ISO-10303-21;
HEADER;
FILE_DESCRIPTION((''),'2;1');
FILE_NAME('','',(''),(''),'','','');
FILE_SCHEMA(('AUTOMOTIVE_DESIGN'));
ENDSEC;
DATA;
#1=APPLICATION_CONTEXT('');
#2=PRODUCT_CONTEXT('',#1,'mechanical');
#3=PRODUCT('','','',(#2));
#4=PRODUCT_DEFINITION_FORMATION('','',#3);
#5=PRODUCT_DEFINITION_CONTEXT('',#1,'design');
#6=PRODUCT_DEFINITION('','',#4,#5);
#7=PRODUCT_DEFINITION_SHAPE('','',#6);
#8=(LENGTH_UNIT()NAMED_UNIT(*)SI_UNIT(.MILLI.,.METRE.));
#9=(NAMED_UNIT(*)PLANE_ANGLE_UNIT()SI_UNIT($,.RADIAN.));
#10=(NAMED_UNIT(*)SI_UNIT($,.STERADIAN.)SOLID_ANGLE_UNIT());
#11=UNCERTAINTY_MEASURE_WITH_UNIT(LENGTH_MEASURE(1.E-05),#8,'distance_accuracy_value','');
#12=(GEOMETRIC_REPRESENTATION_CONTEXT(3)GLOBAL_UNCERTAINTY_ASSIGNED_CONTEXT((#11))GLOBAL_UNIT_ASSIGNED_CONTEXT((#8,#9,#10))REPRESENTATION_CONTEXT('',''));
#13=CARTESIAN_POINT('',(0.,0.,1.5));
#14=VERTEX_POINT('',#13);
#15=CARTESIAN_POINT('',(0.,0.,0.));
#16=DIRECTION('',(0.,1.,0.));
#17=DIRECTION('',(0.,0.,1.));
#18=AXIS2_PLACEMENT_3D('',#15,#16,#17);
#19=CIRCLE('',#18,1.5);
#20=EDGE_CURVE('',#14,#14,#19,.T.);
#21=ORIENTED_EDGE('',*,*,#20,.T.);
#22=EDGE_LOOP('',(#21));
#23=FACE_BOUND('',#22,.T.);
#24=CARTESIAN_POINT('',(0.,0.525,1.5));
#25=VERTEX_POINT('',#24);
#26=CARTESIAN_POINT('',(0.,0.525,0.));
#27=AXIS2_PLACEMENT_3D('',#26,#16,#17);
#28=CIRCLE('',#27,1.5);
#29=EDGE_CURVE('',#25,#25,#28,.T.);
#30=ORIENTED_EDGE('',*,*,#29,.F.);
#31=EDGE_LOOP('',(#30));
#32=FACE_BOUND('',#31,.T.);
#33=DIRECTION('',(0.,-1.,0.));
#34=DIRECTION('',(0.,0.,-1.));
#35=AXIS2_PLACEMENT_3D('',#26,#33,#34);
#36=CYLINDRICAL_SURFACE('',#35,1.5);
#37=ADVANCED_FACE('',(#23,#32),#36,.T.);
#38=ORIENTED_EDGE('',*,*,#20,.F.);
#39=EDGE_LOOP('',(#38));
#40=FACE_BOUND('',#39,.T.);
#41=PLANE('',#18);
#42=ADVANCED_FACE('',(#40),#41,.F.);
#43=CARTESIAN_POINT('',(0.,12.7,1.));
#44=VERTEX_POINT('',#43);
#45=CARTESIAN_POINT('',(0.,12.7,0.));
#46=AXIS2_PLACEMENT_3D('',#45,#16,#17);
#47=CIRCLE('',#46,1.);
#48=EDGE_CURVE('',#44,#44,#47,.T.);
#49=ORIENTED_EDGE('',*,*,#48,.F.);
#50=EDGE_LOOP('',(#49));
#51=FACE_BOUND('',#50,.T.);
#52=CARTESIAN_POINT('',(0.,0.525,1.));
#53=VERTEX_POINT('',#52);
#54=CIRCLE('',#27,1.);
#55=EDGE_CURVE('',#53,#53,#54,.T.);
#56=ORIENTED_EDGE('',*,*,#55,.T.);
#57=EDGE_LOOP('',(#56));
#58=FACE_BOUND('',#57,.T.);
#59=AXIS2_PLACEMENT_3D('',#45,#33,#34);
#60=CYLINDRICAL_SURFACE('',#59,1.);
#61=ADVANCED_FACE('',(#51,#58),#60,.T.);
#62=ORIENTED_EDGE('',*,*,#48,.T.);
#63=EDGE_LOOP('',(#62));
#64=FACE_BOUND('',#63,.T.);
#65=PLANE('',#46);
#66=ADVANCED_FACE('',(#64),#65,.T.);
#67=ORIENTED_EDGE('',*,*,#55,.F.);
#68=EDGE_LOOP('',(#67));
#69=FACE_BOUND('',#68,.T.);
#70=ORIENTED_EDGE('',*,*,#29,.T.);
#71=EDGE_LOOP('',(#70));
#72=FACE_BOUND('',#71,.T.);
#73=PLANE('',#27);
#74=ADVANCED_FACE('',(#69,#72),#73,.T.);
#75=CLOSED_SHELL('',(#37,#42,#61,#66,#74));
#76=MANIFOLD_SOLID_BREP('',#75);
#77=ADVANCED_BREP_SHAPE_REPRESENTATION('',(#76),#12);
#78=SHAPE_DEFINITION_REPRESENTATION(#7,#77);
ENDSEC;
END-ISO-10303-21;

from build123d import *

# Parameters (mm, degrees)
SKETCH1_R           = 1.5
BOSS_EXTRUDE1_DEPTH = 0.525
SKETCH2_R           = 1
BOSS_EXTRUDE2_DEPTH = 12.175


with BuildPart() as part:
    # Sketch1 → Boss-Extrude1 (new body)
    with BuildSketch(Plane(origin=(0, 0, 0), x_dir=(1, 0, 0), z_dir=(0, 1, 0))):
        Circle(SKETCH1_R)
    extrude(amount=BOSS_EXTRUDE1_DEPTH)

    # Sketch2 → Boss-Extrude2 (add)
    with BuildSketch(Plane(origin=(0, 0.525, 0), x_dir=(1, 0, 0), z_dir=(0, 1, 0))):
        Circle(SKETCH2_R)
    extrude(amount=BOSS_EXTRUDE2_DEPTH)


solid = part.part
